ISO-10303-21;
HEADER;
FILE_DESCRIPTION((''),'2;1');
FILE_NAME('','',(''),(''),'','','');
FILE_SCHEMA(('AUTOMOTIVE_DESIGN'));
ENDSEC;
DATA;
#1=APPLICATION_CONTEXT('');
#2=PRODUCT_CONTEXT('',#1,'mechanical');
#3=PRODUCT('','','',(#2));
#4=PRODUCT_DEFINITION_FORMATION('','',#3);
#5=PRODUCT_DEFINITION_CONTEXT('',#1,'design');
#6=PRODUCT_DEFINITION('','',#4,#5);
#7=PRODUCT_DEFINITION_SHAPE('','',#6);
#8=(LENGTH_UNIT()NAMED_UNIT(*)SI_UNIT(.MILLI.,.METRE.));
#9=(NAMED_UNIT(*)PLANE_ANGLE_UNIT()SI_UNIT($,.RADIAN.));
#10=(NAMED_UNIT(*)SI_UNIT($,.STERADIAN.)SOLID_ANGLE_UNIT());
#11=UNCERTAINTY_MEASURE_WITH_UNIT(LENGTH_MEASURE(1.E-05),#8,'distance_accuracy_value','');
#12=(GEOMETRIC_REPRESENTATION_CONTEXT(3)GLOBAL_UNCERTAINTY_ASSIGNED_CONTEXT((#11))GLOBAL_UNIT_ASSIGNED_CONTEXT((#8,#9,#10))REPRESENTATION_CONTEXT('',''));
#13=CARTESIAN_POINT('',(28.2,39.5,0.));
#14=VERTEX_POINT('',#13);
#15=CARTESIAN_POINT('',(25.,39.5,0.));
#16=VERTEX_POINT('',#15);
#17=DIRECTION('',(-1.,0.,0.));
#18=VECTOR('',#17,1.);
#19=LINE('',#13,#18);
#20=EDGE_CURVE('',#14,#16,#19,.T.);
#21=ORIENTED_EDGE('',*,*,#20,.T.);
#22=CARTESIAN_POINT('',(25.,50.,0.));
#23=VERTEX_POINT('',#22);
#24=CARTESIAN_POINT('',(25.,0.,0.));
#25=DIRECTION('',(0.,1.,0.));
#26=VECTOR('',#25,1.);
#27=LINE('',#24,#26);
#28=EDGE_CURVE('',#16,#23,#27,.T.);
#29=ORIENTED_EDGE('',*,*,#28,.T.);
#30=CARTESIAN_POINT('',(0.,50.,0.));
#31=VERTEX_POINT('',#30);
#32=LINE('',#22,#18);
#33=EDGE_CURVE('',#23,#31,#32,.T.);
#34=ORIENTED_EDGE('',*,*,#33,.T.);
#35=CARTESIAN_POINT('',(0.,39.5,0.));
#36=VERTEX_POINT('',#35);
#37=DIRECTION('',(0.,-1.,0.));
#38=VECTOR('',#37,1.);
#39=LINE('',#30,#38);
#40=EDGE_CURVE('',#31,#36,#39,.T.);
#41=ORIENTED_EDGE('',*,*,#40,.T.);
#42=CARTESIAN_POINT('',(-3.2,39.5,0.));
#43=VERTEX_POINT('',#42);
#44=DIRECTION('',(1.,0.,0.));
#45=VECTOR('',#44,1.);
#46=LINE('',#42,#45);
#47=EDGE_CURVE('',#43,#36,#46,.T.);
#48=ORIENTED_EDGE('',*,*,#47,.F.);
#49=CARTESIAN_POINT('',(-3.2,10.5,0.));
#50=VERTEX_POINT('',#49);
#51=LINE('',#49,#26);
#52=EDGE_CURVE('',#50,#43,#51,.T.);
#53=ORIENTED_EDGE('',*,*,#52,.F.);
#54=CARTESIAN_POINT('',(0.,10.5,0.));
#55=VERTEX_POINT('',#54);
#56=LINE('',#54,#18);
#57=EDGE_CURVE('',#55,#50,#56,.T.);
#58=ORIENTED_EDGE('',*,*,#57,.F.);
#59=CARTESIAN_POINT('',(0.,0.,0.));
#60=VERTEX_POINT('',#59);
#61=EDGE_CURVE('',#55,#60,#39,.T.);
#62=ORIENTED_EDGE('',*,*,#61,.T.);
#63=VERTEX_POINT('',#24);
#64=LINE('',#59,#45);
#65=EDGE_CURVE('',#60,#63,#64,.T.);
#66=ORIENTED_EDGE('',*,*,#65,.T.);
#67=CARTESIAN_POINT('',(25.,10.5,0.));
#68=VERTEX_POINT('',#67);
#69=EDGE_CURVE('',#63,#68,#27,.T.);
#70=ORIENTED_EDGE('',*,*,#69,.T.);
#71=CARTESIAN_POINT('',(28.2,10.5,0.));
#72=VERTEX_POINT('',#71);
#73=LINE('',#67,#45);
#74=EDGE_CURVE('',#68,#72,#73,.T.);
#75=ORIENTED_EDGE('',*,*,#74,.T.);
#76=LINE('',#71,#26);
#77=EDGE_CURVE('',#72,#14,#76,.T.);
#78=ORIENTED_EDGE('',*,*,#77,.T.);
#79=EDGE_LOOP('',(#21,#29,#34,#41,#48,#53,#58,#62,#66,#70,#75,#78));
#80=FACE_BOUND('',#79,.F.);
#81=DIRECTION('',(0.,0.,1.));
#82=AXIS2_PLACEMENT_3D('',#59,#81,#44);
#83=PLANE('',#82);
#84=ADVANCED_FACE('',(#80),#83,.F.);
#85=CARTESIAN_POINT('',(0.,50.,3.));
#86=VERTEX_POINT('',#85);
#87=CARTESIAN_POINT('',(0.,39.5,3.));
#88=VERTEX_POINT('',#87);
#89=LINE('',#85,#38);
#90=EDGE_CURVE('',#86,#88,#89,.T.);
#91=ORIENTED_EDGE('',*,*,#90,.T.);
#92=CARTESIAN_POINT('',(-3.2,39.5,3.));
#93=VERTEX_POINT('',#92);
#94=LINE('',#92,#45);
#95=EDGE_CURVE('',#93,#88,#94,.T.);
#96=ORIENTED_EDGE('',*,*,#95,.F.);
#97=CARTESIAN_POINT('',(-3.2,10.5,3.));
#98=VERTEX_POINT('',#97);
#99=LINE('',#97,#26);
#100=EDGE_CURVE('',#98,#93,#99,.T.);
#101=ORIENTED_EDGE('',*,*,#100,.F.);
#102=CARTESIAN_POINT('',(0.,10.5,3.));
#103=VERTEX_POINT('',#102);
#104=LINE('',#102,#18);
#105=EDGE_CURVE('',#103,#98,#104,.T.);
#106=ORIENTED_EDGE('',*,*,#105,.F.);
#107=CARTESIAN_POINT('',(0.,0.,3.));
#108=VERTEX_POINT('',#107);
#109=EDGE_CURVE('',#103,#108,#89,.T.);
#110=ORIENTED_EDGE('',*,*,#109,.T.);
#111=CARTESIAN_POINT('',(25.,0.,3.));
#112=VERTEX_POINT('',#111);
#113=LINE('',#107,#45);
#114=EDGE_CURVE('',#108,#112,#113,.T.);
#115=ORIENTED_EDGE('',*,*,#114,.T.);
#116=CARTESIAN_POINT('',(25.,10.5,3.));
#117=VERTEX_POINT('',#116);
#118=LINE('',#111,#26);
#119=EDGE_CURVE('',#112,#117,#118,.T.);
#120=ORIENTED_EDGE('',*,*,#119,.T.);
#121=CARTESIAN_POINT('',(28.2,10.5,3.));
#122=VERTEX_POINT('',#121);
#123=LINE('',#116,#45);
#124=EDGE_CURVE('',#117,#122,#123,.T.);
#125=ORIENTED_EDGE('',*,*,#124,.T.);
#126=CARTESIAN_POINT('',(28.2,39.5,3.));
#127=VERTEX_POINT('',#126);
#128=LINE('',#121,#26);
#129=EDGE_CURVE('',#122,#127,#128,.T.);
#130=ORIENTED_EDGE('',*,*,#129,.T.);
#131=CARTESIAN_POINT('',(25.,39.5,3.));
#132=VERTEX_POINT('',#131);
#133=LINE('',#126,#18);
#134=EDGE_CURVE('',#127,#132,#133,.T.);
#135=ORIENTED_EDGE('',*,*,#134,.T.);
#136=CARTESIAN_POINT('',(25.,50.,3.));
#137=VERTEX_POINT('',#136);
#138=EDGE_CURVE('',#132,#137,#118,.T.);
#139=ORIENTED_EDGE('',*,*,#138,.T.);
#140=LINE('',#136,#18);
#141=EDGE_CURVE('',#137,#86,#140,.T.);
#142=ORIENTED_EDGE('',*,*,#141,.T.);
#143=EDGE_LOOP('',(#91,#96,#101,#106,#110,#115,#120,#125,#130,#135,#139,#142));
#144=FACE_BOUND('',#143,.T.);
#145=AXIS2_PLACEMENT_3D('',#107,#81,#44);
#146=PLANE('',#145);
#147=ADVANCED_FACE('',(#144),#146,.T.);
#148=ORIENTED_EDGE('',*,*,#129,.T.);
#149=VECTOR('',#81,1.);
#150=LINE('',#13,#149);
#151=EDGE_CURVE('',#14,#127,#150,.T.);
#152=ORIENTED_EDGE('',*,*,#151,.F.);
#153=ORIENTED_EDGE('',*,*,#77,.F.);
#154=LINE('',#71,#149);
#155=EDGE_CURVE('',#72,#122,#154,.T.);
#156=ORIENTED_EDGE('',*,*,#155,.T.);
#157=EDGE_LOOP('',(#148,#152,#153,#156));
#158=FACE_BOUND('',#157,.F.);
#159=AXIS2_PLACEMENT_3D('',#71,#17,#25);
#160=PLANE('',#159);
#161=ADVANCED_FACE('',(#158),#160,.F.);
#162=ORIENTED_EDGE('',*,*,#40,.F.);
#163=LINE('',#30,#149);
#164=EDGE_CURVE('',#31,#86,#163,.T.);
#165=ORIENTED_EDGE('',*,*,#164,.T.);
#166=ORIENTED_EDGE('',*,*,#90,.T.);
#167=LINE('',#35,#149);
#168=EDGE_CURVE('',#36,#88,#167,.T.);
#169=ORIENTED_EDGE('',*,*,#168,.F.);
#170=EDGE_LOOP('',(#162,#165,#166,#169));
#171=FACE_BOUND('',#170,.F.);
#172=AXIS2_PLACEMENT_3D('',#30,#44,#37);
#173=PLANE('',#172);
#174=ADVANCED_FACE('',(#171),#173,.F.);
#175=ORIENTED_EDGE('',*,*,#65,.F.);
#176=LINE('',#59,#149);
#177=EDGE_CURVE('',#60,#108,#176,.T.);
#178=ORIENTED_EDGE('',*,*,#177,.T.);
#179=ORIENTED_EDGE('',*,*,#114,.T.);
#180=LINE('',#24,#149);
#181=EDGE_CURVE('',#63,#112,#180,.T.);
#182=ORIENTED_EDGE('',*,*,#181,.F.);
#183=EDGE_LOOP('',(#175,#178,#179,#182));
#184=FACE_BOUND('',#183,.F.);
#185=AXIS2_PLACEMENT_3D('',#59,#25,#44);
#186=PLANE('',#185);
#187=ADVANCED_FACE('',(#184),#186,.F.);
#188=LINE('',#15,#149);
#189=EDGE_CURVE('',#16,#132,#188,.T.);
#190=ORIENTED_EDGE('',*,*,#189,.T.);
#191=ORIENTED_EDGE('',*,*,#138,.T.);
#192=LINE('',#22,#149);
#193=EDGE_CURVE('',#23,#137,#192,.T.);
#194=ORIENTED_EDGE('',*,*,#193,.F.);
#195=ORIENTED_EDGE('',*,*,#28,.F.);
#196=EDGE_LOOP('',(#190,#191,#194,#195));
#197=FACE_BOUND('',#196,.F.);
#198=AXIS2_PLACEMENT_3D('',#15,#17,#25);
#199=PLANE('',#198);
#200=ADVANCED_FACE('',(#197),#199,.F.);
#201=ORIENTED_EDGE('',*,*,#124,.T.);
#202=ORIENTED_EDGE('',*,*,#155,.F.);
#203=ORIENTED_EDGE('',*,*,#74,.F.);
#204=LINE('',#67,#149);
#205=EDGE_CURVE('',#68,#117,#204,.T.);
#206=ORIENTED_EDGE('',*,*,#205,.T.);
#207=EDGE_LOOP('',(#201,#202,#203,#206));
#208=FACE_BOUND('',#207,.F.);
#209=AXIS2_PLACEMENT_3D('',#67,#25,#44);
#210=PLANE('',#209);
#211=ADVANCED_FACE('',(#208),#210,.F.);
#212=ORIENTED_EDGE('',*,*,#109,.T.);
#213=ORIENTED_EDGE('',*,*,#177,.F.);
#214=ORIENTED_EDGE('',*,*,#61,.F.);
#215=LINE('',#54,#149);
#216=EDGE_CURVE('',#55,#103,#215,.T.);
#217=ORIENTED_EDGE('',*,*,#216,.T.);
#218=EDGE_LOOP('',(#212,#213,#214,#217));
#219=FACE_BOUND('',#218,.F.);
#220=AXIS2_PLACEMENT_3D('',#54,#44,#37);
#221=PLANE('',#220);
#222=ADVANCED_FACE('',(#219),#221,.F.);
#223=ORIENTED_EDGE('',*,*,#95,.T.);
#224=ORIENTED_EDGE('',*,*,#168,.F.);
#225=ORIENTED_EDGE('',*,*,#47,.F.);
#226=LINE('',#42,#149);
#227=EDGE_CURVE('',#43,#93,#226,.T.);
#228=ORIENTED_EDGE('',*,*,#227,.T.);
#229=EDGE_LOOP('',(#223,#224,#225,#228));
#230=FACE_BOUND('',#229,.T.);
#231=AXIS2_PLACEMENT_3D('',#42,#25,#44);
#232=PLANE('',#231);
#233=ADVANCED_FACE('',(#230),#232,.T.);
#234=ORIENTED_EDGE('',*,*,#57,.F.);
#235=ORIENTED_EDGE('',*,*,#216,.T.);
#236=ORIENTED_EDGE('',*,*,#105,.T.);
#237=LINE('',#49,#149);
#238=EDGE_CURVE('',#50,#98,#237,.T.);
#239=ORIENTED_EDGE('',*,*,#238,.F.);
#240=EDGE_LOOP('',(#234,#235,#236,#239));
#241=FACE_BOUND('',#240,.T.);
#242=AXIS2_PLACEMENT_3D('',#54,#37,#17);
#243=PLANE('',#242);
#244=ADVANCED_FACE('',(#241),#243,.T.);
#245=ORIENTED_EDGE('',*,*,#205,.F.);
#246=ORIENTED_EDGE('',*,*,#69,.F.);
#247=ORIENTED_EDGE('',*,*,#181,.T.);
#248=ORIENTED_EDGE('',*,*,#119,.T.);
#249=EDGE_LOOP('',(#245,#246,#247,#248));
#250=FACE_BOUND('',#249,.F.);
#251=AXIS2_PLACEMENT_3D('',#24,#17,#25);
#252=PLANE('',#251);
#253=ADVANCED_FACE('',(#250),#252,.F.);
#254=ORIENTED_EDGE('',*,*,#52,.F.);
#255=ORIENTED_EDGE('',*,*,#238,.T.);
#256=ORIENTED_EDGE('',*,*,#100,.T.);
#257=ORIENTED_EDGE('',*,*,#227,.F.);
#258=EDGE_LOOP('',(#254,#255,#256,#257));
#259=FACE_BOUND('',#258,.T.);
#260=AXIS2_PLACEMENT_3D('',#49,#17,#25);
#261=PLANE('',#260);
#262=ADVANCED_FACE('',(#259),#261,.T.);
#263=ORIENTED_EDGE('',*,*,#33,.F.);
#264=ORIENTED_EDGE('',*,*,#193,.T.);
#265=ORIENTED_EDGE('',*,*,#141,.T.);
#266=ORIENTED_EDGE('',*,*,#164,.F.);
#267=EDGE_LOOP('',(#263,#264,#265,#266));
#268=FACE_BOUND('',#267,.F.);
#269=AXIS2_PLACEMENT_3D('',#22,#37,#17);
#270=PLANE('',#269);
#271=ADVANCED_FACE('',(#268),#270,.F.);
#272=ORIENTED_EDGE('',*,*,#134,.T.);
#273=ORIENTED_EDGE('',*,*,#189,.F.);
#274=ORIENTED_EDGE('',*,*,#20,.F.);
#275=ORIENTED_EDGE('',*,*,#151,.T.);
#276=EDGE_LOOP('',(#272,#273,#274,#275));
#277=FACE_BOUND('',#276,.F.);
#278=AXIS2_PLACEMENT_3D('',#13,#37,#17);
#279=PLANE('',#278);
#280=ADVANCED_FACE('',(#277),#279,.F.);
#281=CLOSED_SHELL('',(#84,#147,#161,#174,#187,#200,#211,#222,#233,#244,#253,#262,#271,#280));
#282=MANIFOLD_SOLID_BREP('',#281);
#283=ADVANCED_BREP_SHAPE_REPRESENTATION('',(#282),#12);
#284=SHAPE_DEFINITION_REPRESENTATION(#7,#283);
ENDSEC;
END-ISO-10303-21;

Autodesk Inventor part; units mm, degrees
ref_plane "YZ Plane" through (0, 0, 0) normal (1, 0, 0) x (0, 1, 0)
ref_plane "XZ Plane" through (0, 0, 0) normal (0, 1, 0) x (-1, 0, 0)
ref_plane "XY Plane" through (0, 0, 0) normal (0, 0, 1) x (1, 0, 0)
sketch "Sketch1" plane through (0, 0, 0) normal (0, 0, 1) x (1, 0, 0)
  line L0 (0, 0) -> (25, 0)
  line L1 (25, 0) -> (25, 50)
  line L2 (25, 50) -> (0, 50)
  line L3 (0, 50) -> (0, 0)
  line L4 (-3.2, 39.5) -> (0, 39.5)
  line L5 (0, 39.5) -> (0, 10.5)
  line L6 (0, 10.5) -> (-3.2, 10.5)
  line L7 (-3.2, 10.5) -> (-3.2, 39.5)
  line L8 (-3.2, 39.5) -> (0, 10.5) construction
  line L9 (0, 39.5) -> (-3.2, 10.5) construction
  line L10 (28.2, 39.5) -> (25, 39.5)
  line L11 (25, 39.5) -> (25, 10.5)
  line L12 (25, 10.5) -> (28.2, 10.5)
  line L13 (28.2, 10.5) -> (28.2, 39.5)
  line L14 (28.2, 39.5) -> (25, 10.5) construction
  line L15 (25, 39.5) -> (28.2, 10.5) construction
  point P0 (-1.6, 25)
  point P1 (26.6, 25)
  point P2 (0, 25)
  point P3 (0, 39.5)
  dimension "d0" = 25
  dimension "d1" = 50
  dimension "d2" = 3.2
  dimension "d3" = 3.2
  dimension "d4" = 29
  dimension "d5" = 29
extrude "Extrusion1" add sketch "Sketch1" along normal blind 3
properties part number "Backboard"
